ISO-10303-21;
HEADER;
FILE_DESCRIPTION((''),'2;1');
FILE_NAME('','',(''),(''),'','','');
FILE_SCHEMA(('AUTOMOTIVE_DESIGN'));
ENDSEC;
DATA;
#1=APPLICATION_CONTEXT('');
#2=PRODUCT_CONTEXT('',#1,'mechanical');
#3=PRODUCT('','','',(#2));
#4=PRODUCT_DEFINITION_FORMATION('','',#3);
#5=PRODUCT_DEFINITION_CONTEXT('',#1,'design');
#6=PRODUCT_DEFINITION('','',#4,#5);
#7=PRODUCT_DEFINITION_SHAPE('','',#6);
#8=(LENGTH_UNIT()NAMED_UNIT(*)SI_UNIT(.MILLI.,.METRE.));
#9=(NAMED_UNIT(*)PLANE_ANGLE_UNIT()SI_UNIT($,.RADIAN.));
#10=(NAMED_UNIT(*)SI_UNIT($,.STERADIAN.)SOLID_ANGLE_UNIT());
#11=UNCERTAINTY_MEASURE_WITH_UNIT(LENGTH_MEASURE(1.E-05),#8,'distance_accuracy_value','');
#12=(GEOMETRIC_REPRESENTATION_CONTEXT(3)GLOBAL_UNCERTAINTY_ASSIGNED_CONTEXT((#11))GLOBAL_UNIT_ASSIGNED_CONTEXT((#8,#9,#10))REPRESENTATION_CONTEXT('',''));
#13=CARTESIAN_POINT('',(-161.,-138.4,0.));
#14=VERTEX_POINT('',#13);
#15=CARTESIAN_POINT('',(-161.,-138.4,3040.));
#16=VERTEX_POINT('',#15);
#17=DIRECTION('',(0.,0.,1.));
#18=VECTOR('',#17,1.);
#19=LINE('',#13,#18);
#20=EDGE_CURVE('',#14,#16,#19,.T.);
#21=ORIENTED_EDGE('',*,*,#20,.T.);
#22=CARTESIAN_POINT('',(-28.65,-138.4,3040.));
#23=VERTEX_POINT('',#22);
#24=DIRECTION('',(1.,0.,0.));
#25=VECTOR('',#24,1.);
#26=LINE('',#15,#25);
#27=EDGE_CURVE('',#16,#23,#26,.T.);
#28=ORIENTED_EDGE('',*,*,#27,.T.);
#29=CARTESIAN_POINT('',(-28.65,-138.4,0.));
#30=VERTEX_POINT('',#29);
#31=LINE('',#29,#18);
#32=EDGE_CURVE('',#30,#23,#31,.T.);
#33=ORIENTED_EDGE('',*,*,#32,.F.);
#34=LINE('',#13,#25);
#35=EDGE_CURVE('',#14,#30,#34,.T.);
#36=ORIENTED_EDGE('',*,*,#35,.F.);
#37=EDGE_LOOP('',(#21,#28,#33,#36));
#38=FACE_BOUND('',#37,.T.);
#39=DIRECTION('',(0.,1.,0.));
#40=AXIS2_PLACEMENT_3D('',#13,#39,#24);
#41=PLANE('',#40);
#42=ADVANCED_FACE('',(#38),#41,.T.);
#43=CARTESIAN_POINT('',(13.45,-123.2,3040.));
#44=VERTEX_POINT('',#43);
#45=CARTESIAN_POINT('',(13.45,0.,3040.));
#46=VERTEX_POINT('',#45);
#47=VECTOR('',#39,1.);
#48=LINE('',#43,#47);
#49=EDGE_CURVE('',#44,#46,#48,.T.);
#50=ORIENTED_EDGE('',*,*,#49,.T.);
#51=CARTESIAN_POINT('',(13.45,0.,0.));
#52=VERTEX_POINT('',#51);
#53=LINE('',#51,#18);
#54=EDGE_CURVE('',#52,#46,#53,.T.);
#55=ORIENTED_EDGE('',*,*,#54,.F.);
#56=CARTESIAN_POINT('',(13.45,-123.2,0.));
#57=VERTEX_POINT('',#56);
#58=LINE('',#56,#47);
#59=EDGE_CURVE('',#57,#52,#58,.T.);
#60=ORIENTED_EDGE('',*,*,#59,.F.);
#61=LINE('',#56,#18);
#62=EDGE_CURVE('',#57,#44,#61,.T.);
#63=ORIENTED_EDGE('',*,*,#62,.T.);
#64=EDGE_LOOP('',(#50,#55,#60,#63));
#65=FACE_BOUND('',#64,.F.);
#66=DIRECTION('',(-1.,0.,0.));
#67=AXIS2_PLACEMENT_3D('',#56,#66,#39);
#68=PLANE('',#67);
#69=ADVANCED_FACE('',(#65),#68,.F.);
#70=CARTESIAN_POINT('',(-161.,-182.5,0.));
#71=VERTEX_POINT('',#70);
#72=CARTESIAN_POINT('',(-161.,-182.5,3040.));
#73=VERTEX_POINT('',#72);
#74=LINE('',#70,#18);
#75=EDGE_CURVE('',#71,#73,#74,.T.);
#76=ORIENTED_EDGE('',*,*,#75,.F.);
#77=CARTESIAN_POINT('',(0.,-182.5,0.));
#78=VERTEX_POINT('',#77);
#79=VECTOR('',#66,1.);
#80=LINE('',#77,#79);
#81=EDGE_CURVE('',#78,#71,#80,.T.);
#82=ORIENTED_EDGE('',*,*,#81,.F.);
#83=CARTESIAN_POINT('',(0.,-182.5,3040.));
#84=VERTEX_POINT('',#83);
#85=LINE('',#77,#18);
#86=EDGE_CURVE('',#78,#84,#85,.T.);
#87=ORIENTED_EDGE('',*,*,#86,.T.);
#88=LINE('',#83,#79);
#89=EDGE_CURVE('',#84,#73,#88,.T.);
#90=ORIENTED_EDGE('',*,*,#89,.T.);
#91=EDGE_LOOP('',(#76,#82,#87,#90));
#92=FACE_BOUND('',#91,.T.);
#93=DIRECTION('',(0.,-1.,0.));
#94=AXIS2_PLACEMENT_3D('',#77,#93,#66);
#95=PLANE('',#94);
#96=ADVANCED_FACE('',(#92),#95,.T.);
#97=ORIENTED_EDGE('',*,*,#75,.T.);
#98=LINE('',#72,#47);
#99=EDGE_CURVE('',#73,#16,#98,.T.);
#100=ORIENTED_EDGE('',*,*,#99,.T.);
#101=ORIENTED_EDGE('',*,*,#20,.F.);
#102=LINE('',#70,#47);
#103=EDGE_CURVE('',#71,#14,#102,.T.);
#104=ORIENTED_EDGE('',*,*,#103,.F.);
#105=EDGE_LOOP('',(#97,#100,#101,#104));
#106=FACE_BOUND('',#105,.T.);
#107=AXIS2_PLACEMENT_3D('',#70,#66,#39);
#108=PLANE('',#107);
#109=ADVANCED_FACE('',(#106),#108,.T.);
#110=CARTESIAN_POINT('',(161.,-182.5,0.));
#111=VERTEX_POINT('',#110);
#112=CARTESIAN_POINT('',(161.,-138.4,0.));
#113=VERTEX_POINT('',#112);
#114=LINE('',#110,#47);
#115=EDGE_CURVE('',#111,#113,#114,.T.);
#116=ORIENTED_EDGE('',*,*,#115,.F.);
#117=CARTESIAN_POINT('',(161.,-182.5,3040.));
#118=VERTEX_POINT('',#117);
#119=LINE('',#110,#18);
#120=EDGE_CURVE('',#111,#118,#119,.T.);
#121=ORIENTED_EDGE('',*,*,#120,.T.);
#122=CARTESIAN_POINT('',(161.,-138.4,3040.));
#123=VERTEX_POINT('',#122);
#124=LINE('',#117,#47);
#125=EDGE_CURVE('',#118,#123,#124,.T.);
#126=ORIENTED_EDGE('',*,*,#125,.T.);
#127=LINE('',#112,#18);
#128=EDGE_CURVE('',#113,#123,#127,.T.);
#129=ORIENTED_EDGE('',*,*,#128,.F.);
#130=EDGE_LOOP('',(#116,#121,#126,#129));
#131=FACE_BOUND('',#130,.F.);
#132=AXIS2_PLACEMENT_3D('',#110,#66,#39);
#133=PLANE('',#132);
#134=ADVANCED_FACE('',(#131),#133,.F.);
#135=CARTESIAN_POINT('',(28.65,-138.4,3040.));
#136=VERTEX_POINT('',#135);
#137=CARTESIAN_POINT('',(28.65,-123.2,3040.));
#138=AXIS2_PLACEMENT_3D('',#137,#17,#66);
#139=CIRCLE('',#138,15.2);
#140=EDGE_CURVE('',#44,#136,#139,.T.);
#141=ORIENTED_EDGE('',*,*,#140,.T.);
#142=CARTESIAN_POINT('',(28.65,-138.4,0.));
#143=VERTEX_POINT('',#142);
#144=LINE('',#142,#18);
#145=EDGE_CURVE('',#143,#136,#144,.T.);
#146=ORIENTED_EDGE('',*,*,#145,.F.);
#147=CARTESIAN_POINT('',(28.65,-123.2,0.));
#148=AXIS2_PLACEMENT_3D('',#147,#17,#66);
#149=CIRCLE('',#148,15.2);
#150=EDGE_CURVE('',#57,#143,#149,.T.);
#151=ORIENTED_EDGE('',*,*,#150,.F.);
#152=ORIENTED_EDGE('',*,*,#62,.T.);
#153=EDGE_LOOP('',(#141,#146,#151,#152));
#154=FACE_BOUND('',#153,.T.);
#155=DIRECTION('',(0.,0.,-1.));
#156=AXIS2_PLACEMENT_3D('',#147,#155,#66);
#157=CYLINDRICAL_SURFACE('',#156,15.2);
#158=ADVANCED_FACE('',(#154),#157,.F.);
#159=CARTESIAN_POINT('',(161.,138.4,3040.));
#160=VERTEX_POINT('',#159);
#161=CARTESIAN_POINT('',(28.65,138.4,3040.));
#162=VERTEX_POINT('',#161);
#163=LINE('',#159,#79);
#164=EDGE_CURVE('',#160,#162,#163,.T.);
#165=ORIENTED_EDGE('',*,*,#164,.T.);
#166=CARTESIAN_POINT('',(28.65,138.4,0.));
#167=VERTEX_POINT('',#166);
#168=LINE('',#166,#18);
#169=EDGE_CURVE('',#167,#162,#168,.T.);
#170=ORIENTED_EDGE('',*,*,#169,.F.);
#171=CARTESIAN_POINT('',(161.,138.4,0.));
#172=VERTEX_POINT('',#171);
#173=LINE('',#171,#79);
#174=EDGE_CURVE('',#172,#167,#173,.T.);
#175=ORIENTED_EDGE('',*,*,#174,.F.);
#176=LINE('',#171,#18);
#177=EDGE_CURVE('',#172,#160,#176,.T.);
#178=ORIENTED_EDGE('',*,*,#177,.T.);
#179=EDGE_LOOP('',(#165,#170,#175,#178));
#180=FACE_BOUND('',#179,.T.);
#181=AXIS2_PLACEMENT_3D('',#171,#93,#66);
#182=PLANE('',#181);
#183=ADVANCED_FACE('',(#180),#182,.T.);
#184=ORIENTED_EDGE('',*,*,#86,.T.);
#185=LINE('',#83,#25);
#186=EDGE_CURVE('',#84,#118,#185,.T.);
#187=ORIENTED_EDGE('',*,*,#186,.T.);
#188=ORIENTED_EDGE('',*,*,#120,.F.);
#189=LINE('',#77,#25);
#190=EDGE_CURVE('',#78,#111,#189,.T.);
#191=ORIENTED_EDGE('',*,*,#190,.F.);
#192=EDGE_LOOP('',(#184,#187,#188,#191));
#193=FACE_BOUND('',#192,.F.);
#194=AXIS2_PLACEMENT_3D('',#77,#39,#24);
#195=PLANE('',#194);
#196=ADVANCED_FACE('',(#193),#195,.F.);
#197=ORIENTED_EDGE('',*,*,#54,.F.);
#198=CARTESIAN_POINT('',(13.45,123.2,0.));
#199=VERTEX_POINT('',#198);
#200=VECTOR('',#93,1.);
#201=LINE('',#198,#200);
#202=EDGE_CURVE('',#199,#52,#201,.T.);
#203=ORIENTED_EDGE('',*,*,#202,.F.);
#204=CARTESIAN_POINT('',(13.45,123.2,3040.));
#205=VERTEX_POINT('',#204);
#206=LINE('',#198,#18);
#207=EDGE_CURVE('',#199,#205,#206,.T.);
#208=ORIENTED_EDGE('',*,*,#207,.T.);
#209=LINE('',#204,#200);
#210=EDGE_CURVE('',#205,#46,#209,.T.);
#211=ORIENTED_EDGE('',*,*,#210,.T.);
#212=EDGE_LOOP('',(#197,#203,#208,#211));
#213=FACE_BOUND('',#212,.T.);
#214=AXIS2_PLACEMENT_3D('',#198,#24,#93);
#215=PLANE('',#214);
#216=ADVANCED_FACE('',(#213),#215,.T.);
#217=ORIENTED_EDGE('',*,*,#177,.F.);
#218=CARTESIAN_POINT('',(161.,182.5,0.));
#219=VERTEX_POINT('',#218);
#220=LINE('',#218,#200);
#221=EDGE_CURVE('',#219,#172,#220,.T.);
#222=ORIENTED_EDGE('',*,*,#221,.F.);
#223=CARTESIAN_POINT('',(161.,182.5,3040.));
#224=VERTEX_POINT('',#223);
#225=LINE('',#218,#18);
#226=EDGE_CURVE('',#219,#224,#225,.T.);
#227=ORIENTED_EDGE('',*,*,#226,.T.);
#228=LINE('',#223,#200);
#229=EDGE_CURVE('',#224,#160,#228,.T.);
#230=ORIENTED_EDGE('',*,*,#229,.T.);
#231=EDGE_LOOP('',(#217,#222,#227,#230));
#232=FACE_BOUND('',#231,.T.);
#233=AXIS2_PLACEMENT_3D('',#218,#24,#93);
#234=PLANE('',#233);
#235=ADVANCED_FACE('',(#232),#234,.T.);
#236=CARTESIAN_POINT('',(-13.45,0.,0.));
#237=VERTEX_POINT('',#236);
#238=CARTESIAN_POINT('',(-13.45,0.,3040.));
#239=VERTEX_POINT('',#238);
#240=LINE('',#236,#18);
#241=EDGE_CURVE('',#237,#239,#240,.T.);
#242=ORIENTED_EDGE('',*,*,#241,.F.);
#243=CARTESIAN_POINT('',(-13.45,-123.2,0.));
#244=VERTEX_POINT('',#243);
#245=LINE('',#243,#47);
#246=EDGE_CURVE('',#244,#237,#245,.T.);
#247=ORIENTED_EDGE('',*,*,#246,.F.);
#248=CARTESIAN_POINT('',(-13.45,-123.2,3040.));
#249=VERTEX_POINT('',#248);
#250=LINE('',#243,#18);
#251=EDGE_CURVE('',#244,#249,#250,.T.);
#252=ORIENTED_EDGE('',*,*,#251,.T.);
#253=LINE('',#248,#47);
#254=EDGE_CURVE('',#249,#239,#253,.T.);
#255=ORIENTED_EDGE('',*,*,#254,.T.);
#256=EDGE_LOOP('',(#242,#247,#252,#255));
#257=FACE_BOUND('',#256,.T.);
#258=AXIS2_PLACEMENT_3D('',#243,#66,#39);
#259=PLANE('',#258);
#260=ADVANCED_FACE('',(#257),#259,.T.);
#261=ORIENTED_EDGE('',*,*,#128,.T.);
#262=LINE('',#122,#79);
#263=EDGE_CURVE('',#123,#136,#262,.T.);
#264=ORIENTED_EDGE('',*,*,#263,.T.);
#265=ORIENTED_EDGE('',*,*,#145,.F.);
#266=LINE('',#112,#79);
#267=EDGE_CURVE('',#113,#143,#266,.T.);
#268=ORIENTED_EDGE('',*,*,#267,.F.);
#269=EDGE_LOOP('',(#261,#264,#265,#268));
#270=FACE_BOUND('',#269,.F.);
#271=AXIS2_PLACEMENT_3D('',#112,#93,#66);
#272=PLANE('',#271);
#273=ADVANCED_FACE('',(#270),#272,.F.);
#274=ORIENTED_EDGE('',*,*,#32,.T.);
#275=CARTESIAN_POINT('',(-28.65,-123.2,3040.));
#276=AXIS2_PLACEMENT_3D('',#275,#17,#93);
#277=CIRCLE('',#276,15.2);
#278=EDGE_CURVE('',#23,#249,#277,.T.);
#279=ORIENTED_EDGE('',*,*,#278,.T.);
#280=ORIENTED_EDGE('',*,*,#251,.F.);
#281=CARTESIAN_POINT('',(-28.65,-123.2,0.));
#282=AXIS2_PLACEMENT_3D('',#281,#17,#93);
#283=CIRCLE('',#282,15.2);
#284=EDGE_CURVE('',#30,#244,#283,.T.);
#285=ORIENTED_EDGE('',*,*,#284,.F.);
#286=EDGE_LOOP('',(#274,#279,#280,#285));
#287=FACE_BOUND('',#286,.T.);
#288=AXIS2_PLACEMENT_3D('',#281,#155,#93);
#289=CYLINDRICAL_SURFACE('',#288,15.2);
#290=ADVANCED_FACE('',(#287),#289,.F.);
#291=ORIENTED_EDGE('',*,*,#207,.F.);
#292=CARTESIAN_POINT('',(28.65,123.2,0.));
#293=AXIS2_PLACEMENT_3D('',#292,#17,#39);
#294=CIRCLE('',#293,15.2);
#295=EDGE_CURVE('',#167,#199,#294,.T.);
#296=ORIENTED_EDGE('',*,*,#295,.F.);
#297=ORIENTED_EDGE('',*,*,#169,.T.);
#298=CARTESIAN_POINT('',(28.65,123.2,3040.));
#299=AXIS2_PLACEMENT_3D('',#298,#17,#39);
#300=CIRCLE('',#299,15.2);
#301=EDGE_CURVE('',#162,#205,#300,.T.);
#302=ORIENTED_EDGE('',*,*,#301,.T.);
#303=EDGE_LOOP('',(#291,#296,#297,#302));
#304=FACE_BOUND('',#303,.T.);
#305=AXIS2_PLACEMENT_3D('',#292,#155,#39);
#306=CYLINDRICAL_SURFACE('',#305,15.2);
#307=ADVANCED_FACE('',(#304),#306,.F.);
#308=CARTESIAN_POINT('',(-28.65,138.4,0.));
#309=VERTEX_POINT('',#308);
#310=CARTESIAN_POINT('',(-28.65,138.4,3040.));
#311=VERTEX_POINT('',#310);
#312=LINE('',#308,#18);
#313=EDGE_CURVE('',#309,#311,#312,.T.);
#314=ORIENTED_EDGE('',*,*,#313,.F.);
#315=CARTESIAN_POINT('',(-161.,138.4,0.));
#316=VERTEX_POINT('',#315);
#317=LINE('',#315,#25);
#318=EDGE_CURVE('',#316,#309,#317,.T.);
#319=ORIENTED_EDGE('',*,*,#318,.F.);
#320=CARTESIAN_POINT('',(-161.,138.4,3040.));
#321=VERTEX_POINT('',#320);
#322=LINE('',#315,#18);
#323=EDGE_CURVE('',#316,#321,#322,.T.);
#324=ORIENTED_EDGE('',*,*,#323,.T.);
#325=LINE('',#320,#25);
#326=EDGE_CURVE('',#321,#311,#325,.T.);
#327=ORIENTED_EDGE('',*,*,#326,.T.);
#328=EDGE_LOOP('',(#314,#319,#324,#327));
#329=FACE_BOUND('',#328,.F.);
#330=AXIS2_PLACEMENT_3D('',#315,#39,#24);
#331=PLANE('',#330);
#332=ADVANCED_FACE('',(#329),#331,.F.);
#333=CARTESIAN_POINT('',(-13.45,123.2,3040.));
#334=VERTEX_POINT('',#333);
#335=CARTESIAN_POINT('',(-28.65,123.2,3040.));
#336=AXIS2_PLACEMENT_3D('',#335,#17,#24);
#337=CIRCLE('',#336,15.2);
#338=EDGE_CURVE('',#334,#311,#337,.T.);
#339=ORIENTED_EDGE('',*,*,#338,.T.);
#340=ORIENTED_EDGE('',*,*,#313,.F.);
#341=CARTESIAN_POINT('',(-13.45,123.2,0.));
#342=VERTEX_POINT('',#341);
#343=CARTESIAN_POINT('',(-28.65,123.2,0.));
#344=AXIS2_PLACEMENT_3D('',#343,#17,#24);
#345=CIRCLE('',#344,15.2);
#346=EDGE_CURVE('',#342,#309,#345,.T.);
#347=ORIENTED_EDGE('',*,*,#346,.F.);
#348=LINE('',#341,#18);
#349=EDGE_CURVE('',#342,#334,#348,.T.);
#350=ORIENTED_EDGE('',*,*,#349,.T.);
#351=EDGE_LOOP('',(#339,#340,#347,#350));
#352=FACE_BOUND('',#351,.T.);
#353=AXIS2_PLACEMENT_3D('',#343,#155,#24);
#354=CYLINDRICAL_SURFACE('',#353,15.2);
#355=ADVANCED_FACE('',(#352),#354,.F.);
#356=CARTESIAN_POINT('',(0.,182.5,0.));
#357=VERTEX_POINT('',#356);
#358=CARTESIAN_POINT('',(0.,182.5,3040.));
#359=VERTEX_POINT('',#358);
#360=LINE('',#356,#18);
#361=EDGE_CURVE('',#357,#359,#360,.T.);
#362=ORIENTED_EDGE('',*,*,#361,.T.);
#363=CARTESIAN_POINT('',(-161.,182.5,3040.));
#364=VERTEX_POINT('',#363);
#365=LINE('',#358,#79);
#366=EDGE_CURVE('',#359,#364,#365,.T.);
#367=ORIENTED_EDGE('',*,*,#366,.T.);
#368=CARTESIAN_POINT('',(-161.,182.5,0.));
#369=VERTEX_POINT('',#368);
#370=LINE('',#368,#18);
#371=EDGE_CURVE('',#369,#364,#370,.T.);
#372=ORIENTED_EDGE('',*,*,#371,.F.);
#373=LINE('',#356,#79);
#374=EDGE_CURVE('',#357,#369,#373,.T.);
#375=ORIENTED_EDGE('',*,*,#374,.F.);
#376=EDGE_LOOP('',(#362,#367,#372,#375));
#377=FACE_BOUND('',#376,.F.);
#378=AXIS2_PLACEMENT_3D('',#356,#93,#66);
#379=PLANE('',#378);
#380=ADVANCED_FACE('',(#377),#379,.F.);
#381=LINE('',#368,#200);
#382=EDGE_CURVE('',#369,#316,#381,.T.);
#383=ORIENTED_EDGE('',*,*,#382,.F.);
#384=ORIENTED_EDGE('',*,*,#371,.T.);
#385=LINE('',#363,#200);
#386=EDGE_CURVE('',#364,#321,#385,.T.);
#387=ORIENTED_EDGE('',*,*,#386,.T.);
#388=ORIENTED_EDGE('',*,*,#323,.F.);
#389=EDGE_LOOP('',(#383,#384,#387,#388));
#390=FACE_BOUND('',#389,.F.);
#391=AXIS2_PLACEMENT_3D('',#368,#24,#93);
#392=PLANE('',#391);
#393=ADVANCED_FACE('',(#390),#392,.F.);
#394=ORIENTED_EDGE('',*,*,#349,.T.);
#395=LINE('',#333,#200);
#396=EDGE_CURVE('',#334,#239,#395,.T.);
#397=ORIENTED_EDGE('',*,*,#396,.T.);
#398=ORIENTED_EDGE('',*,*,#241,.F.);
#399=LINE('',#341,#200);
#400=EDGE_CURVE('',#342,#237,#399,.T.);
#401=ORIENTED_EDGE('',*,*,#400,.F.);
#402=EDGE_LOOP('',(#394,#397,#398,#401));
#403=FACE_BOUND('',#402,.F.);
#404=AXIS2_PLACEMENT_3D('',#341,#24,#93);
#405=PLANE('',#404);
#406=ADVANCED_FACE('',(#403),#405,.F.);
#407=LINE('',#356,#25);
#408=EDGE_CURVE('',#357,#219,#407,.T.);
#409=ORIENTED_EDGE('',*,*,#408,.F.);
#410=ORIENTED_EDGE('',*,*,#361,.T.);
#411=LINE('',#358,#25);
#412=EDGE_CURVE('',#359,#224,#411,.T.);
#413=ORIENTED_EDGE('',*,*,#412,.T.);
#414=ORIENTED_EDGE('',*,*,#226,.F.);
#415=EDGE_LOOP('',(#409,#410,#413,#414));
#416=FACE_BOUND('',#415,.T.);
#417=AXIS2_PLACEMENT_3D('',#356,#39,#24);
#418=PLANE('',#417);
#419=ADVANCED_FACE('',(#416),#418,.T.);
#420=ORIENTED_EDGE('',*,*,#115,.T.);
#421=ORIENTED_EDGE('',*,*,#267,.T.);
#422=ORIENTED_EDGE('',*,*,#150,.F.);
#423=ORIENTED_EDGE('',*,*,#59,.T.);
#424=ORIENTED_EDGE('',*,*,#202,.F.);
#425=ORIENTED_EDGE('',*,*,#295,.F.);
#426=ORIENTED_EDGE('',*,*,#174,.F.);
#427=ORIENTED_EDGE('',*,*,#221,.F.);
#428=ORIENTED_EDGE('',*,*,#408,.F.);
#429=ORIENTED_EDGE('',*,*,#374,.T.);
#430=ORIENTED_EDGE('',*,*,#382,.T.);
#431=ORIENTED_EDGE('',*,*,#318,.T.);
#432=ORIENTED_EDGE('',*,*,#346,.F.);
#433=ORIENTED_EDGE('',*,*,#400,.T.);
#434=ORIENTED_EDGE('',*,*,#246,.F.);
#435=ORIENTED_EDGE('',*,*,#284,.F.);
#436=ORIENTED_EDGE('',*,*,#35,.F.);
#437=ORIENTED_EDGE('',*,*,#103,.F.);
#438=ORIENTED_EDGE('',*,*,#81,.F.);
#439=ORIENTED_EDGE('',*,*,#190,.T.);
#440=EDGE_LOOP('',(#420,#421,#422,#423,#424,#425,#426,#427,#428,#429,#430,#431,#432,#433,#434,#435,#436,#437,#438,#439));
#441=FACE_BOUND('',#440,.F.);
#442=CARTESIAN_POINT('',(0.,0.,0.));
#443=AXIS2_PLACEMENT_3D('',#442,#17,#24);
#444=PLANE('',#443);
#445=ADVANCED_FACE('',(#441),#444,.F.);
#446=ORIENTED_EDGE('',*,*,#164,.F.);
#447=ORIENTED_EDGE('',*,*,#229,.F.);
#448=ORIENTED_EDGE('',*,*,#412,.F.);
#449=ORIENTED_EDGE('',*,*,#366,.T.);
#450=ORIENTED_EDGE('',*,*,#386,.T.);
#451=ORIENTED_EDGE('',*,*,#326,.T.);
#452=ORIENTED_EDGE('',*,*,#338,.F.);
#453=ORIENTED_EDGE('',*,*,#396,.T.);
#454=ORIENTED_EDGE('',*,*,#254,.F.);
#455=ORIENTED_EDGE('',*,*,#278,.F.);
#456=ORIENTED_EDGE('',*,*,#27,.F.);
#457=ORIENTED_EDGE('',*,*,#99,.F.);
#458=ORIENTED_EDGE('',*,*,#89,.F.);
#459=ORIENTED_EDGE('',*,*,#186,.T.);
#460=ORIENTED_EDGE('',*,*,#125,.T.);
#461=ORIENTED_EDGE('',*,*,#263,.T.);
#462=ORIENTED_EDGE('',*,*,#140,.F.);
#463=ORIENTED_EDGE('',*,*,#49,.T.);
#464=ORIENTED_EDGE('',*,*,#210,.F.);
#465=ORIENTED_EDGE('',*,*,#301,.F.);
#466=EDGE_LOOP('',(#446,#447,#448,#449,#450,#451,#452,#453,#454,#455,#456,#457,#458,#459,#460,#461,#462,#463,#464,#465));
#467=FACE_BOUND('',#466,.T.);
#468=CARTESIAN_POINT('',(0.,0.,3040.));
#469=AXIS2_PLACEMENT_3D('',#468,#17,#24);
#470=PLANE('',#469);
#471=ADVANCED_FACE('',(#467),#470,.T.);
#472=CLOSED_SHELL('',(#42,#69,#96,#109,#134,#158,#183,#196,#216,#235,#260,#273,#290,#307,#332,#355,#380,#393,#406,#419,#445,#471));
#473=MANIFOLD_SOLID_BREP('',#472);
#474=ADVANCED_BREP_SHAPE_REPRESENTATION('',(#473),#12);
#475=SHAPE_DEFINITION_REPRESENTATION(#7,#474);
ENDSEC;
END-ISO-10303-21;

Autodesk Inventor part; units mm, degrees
ref_plane "YZ Plane" through (0, 0, 0) normal (1, 0, 0) x (0, 1, 0)
ref_plane "Start plane" through (0, 0, 0) normal (0, 0, 1) x (1, 0, 0)
ref_plane "End plane" through (0, 0, 3040) normal (0, 0, 1) x (1, 0, 0)
sketch "Sketch" plane through (0, 0, 0) normal (0, 0, 1) x (1, 0, 0)
  line L0 (-161, -182.5) -> (-161, -138.4)
  line L1 (-161, -138.4) -> (-28.65, -138.4)
  line L2 (-13.45, -123.2) -> (-13.45, 0)
  line L3 (-13.45, 0) -> (0, 0) construction
  line L4 (0, 0) -> (0, -182.5) construction
  line L5 (0, -182.5) -> (-161, -182.5)
  line L6 (-60, 0) -> (80, 0) construction
  line L7 (0, -60) -> (0, 80) construction
  line L8 (161, -182.5) -> (161, -138.4)
  line L9 (161, -138.4) -> (28.65, -138.4)
  line L10 (13.45, -123.2) -> (13.45, 0)
  line L11 (13.45, 0) -> (0, 0) construction
  line L12 (0, -182.5) -> (161, -182.5)
  line L13 (-161, 182.5) -> (-161, 138.4)
  line L14 (-161, 138.4) -> (-28.65, 138.4)
  line L15 (-13.45, 123.2) -> (-13.45, 0)
  line L16 (0, 182.5) -> (-161, 182.5)
  line L17 (161, 182.5) -> (161, 138.4)
  line L18 (161, 138.4) -> (28.65, 138.4)
  line L19 (0, 182.5) -> (161, 182.5)
  line L20 (13.45, 123.2) -> (13.45, 0)
  arc A0 (-13.45, 123.2) -> (-28.65, 138.4) centre (-28.65, 123.2) ccw
  arc A1 (28.65, 138.4) -> (13.45, 123.2) centre (28.65, 123.2) ccw
  arc A2 (13.45, -123.2) -> (28.65, -138.4) centre (28.65, -123.2) ccw
  arc A3 (-28.65, -138.4) -> (-13.45, -123.2) centre (-28.65, -123.2) ccw
  line L21 (0, 108) -> (0, -88) construction
  line L22 (-88, 0) -> (108, 0) construction
  point P0 (-13.45, -138.4)
  point P1 (13.45, -138.4)
  point P2 (-13.45, 138.4)
  point P3 (13.45, 138.4)
  dimension "d1" = 182.5
  dimension "d2" = 44.1
  dimension "d3" = 161
  dimension "d4" = 13.45
  dimension "d10" = 15.2
extrude "Body" add sketch "Sketch" along normal up to surface (3040 mm away) from surface at 0
sketch "Sketch4" plane through (0, 0, 0) normal (0, 0, 1) x (1, 0, 0)
  line L0 (0, 0) -> (10, 0)
ref_plane "Work Plane3" through (0, 0, 0) normal (0, -1, 0) x (1, 0, 0)
sketch "Sketch5" plane through (0, 0, 0) normal (0, -1, 0) x (1, 0, 0)
  line L0 (-2, 0) -> (12, 0) projected
  line L1 (-2, 3040) -> (12, 3040) projected
  dimension "d14" = 3040
equation "\"d1\" = 0.5 * G_H"
equation "\"d2\" = G_T1"
equation "\"d3\" = 0.5 * G_W"
equation "\"d4\" = 0.5 * G_T"
equation "\"d10\" = G_IR"
equation "\"d5\" = G_L"
equation "\"G_W\" = 322"
equation "\"G_H\" = 365"
equation "\"G_T\" = 26.9"
equation "\"G_T1\" = 44.1"
equation "\"G_IR\" = 15.2"
equation "\"G_L\" = d14"
equation "\"G_OFFSET_START\" = 0"
equation "\"G_OFFSET_END\" = 0"
properties part number "AS 3679 - 310 UC - 283 - 3040" material "Steel, Mild"
